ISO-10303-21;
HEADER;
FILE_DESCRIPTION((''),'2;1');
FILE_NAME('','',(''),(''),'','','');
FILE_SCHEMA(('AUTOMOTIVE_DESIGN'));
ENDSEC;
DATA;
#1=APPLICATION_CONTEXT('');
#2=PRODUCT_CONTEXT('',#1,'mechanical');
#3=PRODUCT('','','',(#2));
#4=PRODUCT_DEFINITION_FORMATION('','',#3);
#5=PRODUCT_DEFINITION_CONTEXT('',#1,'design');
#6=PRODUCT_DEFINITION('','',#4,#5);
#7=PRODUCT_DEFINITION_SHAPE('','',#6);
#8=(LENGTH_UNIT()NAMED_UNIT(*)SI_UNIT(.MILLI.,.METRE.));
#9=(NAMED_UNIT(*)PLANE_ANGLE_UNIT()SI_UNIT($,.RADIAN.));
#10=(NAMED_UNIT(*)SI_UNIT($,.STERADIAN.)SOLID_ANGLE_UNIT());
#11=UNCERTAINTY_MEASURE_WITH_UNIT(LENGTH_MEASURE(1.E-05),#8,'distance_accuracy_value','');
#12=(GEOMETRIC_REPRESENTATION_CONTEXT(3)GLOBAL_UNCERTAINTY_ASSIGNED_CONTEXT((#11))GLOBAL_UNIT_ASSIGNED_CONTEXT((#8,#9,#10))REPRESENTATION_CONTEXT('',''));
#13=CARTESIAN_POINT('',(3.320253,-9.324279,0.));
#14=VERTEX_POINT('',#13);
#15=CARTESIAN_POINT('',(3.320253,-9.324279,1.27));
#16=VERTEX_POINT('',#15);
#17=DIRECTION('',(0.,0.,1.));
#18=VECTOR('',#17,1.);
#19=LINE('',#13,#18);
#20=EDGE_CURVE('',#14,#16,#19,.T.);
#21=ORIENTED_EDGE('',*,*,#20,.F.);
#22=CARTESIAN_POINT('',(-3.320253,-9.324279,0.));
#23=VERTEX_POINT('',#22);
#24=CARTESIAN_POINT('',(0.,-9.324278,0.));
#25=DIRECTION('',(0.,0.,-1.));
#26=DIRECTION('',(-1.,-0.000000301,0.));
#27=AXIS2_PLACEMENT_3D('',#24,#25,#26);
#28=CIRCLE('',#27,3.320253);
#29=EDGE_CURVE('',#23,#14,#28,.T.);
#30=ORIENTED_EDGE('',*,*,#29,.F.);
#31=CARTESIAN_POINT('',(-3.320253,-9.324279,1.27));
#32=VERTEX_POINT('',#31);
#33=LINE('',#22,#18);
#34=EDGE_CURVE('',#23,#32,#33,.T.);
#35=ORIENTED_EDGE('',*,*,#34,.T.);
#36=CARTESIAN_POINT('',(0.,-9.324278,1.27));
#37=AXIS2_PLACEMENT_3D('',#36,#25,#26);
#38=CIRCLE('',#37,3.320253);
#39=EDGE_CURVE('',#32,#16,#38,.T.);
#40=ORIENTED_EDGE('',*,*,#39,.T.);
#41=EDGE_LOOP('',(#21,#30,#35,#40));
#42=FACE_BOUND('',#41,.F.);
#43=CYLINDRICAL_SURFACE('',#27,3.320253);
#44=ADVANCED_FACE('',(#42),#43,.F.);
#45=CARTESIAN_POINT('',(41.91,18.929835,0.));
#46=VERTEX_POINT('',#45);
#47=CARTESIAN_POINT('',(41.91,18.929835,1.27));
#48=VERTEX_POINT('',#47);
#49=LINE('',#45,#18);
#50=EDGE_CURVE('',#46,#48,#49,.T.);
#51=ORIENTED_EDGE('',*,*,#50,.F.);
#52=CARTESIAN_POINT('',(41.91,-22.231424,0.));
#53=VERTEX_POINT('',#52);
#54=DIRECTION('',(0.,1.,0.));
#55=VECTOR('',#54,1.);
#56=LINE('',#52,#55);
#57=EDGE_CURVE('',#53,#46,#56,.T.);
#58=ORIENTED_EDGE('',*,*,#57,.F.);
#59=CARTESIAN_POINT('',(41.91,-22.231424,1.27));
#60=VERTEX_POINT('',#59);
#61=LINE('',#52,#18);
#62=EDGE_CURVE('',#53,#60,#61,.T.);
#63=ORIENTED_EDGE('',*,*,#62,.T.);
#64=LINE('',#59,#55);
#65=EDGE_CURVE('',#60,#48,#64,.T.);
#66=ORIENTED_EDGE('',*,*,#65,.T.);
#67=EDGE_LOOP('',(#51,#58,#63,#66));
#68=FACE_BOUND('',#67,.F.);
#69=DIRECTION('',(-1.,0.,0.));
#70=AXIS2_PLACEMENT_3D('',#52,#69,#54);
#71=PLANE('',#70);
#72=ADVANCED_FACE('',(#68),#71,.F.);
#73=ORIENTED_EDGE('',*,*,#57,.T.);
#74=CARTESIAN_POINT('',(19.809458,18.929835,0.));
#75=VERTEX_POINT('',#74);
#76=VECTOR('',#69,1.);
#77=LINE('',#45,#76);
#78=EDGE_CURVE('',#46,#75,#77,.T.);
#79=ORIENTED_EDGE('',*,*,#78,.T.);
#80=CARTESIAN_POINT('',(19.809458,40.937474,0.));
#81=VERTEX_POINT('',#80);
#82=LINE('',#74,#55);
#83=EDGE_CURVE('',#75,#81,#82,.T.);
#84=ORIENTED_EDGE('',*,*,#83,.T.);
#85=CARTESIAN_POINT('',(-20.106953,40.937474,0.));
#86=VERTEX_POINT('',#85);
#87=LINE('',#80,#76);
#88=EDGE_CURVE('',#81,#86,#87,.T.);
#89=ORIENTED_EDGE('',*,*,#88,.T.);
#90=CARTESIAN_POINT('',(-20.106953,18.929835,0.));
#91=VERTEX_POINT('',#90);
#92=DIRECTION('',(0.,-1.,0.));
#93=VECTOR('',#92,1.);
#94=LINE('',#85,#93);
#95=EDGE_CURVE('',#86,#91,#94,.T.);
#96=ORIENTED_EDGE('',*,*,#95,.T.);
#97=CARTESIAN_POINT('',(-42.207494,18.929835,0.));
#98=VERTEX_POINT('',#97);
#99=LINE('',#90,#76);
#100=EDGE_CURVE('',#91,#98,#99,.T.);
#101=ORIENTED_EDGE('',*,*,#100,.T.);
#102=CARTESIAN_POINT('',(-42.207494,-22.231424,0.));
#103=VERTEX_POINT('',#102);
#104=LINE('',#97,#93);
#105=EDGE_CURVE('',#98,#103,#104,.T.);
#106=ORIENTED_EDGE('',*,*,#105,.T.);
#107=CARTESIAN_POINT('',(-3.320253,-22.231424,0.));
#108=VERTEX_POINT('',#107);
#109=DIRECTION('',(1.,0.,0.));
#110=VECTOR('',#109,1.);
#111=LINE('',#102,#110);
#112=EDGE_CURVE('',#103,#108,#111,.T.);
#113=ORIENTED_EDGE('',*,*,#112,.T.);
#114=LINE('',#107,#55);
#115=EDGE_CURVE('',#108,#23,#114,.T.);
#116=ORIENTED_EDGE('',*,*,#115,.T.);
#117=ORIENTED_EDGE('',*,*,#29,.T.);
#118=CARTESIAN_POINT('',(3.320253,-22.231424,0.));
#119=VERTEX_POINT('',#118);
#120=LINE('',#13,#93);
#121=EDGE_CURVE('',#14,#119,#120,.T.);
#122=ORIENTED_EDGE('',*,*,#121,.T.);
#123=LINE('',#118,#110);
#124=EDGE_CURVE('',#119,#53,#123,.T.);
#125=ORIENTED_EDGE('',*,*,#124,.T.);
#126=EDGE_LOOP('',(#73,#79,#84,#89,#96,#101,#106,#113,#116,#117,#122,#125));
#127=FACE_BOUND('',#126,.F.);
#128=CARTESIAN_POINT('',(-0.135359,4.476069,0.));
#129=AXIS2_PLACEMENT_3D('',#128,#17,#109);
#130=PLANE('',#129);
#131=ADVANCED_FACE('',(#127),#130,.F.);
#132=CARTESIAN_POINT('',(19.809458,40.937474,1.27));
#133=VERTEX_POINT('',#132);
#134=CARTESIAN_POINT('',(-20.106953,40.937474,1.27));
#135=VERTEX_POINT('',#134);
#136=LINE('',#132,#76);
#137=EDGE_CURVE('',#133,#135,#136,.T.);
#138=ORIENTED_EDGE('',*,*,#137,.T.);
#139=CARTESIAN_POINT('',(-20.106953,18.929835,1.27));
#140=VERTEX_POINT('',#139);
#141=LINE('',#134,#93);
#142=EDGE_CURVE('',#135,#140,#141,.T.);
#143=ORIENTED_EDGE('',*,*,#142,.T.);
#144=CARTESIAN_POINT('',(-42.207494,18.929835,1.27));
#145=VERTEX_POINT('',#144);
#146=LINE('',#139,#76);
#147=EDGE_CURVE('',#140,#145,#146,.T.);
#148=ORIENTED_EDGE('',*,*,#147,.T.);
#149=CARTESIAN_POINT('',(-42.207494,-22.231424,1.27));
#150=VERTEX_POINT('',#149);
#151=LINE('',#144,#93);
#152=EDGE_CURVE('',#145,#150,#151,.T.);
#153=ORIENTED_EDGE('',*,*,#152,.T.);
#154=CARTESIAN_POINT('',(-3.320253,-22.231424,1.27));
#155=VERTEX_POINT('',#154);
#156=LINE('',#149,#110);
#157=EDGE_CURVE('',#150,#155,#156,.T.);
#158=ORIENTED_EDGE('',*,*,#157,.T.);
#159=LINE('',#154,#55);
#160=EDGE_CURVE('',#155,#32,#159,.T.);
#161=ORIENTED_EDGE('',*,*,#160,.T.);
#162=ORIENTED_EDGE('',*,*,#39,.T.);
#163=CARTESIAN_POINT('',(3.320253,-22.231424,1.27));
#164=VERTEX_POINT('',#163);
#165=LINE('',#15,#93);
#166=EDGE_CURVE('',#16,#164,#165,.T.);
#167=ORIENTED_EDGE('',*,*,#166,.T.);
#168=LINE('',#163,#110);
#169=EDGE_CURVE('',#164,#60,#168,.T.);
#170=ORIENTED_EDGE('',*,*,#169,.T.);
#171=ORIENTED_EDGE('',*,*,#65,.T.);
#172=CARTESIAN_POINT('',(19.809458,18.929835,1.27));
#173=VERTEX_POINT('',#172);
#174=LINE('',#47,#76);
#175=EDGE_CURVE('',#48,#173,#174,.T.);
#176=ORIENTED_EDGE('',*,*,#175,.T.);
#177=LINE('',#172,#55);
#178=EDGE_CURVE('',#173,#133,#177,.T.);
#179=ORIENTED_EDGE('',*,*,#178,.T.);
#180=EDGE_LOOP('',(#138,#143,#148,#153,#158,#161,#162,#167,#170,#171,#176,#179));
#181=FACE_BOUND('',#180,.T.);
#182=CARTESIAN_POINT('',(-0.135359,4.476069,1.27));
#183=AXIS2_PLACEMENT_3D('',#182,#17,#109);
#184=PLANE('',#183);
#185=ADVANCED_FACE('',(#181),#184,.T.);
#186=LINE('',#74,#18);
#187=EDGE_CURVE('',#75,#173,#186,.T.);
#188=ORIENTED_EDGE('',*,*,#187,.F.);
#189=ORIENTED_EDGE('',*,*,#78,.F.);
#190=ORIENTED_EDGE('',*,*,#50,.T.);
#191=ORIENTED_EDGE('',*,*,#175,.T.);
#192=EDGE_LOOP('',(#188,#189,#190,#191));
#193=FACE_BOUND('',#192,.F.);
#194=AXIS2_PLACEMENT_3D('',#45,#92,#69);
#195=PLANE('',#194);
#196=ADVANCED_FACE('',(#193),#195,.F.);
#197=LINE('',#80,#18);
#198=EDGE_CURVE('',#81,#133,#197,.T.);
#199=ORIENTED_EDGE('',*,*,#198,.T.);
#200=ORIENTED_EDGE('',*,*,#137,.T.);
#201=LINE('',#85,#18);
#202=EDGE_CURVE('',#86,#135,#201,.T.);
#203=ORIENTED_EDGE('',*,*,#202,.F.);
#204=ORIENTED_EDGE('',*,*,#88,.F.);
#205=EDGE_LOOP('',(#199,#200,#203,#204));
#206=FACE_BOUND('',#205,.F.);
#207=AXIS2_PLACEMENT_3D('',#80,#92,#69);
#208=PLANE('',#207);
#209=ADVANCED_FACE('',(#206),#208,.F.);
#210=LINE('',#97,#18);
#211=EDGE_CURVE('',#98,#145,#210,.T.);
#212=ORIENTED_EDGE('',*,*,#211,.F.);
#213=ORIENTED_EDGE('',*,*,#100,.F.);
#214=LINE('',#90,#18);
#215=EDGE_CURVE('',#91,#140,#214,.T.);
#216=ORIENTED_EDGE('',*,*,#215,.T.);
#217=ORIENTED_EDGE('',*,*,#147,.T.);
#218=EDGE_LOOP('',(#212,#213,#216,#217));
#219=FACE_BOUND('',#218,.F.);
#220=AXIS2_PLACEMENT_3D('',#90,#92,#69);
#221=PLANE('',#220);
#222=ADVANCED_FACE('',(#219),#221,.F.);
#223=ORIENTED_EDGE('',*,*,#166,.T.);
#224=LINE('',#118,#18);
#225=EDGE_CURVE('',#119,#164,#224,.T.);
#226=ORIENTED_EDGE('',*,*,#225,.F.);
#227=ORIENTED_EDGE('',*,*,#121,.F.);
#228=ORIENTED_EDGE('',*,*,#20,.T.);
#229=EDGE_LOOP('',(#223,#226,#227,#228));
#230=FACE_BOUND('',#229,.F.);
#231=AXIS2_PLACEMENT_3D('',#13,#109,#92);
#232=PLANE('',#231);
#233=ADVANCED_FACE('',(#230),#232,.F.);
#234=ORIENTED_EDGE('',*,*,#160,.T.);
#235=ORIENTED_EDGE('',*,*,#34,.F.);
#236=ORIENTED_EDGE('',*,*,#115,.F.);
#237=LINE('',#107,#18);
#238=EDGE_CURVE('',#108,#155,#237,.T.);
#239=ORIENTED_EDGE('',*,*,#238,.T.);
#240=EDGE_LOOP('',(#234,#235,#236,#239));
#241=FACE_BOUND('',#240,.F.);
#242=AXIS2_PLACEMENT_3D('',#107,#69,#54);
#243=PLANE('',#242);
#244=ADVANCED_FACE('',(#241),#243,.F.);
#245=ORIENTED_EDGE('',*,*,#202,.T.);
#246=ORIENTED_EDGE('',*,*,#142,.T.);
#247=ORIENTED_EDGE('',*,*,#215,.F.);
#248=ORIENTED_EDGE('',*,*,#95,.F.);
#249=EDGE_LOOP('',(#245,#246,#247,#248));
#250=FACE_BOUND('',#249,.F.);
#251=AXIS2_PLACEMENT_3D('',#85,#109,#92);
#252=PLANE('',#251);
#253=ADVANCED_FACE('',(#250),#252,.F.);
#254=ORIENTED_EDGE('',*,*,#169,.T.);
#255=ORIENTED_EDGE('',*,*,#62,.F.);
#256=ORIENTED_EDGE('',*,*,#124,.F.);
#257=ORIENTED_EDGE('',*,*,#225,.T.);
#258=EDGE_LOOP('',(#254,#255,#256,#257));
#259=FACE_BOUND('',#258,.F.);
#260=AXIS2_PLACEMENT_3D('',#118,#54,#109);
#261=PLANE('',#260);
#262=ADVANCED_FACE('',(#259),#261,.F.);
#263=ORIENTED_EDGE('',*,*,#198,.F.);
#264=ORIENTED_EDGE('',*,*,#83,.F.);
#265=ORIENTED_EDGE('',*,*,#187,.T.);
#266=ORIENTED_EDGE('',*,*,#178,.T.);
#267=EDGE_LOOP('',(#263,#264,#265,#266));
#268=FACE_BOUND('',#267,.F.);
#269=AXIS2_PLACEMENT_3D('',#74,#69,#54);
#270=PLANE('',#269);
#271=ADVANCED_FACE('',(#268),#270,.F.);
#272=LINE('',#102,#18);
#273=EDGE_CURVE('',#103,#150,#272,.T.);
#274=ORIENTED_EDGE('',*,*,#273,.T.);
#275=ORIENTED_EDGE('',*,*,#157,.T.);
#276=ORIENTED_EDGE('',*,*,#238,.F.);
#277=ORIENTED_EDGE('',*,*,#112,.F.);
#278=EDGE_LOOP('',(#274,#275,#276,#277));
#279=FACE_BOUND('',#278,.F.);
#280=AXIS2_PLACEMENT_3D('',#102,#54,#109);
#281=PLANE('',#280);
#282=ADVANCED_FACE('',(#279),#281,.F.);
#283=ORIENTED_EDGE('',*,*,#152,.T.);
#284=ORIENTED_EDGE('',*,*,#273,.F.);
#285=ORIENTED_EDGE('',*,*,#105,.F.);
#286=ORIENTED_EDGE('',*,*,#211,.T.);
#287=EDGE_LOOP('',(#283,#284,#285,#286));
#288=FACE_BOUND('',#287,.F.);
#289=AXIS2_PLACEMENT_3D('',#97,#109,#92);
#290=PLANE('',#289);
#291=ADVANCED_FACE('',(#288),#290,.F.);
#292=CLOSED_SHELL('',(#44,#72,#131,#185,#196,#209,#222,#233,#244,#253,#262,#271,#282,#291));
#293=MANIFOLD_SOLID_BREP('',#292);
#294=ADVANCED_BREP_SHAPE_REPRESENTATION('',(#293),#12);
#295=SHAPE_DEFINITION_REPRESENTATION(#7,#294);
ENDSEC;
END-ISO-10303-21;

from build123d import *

# Parameters (mm, degrees)
F1_DEPTH = 1.27


with BuildPart() as f1:
    # F0 (on Top) → F1 (new body)
    with BuildSketch(Plane.XY):
        with BuildLine():
            Line((-42.207494, 18.929835), (-42.207494, -22.231424))
            Line((-42.207494, -22.231424), (-3.320253, -22.231424))
            Line((-3.320253, -22.231424), (-3.320253, -9.324279))
            ThreePointArc((-3.320253, -9.324279), (0, -6.004025), (3.320253, -9.324279))
            Line((3.320253, -9.324279), (3.320253, -22.231424))
            Line((3.320253, -22.231424), (41.91, -22.231424))
            Line((41.91, -22.231424), (41.91, 18.929835))
            Line((41.91, 18.929835), (19.809458, 18.929835))
            Line((19.809458, 18.929835), (19.809458, 40.937474))
            Line((19.809458, 40.937474), (-20.106953, 40.937474))
            Line((-20.106953, 40.937474), (-20.106953, 18.929835))
            Line((-20.106953, 18.929835), (-42.207494, 18.929835))
        make_face()
    extrude(amount=F1_DEPTH)


solid = f1.part
